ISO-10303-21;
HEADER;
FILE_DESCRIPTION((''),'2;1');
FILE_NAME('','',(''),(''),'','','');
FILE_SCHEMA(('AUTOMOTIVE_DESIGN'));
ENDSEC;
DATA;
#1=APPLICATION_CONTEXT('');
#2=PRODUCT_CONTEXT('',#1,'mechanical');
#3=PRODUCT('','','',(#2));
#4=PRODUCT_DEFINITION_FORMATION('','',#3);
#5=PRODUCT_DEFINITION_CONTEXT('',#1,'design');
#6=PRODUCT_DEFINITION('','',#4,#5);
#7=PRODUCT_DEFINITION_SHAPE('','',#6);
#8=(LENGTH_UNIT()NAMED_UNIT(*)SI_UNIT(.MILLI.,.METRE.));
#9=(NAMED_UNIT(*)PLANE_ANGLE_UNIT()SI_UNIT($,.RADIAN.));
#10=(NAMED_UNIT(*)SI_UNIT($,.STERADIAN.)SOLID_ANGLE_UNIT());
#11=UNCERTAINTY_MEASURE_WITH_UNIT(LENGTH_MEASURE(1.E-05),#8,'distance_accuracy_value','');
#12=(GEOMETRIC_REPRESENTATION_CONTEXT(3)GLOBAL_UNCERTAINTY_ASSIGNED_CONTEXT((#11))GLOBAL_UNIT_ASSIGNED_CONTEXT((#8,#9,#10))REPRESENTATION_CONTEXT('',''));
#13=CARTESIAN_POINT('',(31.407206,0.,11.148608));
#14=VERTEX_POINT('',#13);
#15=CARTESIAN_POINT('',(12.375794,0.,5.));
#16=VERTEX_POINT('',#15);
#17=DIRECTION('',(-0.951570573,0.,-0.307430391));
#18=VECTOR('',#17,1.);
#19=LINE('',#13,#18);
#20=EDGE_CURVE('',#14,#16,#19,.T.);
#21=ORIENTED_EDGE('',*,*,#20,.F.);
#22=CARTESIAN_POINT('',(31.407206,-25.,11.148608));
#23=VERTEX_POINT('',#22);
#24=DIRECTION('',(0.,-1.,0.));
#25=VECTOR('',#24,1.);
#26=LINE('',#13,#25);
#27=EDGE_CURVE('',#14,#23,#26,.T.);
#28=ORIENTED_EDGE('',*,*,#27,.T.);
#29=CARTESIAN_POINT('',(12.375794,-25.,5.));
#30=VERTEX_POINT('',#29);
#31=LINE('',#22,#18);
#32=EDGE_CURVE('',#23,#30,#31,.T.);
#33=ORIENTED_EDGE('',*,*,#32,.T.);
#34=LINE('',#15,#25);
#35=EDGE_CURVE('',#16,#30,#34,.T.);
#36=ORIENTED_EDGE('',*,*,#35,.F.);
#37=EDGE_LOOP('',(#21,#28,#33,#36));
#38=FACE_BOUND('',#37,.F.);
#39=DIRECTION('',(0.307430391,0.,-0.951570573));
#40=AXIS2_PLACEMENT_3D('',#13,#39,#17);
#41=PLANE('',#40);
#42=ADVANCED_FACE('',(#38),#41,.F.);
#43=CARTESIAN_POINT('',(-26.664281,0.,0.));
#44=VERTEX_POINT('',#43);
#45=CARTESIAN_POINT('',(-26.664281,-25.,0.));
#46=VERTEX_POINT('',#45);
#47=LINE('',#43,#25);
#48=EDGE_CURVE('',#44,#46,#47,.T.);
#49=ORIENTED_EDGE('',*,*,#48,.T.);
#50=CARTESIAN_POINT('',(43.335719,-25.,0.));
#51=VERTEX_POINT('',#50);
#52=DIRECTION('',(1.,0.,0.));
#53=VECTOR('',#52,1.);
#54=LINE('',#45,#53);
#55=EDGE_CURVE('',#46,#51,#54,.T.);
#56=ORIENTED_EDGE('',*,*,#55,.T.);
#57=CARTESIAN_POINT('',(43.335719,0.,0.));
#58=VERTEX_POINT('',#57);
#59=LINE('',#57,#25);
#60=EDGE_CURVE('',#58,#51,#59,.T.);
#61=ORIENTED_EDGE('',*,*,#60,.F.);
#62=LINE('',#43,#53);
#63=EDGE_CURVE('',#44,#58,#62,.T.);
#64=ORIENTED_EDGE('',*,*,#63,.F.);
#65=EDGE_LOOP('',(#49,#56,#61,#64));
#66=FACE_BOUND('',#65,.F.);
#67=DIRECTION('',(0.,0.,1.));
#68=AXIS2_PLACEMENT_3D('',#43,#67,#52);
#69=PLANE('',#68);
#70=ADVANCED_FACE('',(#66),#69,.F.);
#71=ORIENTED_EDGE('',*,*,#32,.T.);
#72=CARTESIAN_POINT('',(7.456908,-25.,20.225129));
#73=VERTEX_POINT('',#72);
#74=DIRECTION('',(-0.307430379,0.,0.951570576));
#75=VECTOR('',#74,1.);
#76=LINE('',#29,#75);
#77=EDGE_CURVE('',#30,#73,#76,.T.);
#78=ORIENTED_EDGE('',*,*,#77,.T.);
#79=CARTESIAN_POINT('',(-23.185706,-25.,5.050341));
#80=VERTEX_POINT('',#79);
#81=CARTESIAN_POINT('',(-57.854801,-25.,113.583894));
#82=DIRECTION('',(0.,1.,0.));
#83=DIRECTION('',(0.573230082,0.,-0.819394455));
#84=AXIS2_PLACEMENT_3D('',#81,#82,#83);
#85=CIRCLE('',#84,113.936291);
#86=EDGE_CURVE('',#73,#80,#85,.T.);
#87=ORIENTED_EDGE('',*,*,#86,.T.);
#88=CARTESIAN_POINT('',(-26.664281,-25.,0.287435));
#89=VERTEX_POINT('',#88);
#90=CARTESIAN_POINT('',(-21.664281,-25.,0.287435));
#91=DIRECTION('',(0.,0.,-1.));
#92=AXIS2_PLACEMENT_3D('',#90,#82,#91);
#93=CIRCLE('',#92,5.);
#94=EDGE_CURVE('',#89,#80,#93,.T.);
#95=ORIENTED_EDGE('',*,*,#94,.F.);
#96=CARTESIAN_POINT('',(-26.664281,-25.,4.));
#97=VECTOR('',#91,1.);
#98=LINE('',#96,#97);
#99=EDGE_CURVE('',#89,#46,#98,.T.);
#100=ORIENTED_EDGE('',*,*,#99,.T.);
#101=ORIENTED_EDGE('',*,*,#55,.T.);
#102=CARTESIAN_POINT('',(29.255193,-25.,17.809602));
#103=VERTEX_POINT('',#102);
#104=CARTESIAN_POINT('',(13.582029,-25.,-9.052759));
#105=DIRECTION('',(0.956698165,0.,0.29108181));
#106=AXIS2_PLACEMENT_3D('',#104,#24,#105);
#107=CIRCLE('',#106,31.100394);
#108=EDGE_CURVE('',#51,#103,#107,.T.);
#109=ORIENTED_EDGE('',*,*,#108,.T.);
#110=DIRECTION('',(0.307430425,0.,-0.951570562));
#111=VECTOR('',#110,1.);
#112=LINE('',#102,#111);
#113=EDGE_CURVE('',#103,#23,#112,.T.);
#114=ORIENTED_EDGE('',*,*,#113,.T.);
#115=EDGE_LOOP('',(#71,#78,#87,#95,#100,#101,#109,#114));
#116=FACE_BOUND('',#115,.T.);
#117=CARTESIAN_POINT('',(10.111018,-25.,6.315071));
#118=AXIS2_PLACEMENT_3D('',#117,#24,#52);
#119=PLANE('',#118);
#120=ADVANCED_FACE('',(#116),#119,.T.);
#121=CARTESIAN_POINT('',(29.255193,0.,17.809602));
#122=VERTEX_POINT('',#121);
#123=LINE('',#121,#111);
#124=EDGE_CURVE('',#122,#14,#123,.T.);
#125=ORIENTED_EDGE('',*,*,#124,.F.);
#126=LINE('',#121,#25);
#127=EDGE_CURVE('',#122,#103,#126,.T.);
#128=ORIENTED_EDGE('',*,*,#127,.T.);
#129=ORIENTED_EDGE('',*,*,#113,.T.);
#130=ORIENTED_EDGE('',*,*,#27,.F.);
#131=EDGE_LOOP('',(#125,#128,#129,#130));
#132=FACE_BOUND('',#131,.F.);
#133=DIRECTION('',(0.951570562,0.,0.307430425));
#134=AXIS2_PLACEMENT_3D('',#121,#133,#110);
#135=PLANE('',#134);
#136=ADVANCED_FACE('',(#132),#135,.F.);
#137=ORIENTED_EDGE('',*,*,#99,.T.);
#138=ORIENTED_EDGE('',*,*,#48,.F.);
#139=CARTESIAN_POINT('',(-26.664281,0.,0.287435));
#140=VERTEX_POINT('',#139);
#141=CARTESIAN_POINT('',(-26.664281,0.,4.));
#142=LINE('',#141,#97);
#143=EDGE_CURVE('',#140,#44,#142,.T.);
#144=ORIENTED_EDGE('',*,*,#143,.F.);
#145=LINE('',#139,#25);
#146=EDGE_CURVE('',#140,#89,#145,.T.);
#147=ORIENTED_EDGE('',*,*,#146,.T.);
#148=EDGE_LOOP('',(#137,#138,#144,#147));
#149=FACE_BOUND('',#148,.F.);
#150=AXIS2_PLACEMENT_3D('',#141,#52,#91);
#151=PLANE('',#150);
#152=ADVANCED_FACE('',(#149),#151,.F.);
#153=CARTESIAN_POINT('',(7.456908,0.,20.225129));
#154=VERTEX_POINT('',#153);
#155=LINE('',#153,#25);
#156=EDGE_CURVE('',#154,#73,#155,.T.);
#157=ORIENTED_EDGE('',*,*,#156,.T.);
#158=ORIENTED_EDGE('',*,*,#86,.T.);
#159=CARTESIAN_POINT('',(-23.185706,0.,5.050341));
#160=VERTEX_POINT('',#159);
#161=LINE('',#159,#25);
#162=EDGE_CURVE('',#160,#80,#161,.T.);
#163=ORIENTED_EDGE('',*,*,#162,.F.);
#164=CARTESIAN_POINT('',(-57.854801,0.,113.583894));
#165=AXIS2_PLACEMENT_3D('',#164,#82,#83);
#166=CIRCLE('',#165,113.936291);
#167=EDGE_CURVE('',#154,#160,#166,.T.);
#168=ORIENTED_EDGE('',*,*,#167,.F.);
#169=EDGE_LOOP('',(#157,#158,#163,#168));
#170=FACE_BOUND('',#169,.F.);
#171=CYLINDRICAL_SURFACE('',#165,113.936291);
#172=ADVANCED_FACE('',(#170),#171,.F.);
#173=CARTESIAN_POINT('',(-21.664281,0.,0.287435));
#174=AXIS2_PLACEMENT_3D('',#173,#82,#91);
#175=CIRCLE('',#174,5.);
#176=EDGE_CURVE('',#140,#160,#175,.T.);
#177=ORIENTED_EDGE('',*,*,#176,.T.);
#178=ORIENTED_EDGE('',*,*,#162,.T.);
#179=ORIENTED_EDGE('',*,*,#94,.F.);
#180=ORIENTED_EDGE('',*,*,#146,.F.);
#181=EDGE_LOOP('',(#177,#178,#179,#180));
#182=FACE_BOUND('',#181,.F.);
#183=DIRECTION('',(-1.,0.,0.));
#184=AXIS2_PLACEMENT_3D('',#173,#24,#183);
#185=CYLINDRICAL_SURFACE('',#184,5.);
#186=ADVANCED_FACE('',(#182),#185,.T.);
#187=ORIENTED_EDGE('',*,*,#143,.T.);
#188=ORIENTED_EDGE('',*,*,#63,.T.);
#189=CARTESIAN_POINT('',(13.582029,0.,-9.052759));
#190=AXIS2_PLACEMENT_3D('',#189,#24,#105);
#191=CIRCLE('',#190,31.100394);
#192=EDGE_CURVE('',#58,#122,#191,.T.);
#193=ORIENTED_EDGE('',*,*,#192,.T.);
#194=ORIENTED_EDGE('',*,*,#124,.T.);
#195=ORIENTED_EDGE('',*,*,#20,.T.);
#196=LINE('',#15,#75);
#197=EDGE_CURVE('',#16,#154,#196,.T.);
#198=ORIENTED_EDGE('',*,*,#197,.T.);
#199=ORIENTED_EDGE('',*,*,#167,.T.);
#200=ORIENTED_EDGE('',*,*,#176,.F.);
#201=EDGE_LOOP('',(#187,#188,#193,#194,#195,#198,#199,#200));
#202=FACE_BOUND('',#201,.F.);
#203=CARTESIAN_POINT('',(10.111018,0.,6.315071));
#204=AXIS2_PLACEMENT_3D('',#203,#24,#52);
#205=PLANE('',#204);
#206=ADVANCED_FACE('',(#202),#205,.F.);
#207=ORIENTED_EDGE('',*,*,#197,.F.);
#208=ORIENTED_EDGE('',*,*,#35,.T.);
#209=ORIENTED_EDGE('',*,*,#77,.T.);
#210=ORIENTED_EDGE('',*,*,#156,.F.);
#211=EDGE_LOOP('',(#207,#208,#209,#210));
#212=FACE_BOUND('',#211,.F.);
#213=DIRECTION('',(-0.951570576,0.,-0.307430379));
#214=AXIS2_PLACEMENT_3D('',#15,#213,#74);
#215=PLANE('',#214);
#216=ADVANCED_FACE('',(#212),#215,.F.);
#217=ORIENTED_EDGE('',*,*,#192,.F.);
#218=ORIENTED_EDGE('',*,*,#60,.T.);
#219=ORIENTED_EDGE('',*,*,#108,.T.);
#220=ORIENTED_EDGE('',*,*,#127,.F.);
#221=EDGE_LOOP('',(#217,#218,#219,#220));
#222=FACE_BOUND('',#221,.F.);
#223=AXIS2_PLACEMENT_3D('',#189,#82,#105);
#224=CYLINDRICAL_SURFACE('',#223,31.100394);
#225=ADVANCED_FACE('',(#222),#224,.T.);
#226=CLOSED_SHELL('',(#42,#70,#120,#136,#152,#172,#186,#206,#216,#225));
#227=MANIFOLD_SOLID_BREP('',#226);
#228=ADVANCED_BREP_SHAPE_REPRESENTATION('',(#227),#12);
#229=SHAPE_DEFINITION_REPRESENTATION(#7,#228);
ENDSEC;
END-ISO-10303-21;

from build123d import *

# Parameters (mm, degrees)
F1_DEPTH = 25
F2_R     = 5


with BuildPart() as f1:
    # F0 (on Front) → F1 (new body)
    with BuildSketch(Plane.XZ):
        with BuildLine():
            Line((-26.664281, 4), (-26.664281, 0))
            Line((-26.664281, 0), (43.335719, 0))
            ThreePointArc((43.335719, 0), (37.978653, 10.23556), (29.255193, 17.809602))
            Line((29.255193, 17.809602), (31.407206, 11.148608))
            Line((31.407206, 11.148608), (12.375794, 5))
            Line((12.375794, 5), (7.456908, 20.225129))
            ThreePointArc((7.456908, 20.225129), (-8.926448, 10.688342), (-26.664281, 4))
        make_face()
    extrude(amount=F1_DEPTH)

    # F2
    f2_edges = [f1.edges().sort_by_distance(p)[0] for p in [
        (-26.664281, -12.5, 4),
    ]]
    fillet(f2_edges, radius=F2_R)


solid = f1.part
